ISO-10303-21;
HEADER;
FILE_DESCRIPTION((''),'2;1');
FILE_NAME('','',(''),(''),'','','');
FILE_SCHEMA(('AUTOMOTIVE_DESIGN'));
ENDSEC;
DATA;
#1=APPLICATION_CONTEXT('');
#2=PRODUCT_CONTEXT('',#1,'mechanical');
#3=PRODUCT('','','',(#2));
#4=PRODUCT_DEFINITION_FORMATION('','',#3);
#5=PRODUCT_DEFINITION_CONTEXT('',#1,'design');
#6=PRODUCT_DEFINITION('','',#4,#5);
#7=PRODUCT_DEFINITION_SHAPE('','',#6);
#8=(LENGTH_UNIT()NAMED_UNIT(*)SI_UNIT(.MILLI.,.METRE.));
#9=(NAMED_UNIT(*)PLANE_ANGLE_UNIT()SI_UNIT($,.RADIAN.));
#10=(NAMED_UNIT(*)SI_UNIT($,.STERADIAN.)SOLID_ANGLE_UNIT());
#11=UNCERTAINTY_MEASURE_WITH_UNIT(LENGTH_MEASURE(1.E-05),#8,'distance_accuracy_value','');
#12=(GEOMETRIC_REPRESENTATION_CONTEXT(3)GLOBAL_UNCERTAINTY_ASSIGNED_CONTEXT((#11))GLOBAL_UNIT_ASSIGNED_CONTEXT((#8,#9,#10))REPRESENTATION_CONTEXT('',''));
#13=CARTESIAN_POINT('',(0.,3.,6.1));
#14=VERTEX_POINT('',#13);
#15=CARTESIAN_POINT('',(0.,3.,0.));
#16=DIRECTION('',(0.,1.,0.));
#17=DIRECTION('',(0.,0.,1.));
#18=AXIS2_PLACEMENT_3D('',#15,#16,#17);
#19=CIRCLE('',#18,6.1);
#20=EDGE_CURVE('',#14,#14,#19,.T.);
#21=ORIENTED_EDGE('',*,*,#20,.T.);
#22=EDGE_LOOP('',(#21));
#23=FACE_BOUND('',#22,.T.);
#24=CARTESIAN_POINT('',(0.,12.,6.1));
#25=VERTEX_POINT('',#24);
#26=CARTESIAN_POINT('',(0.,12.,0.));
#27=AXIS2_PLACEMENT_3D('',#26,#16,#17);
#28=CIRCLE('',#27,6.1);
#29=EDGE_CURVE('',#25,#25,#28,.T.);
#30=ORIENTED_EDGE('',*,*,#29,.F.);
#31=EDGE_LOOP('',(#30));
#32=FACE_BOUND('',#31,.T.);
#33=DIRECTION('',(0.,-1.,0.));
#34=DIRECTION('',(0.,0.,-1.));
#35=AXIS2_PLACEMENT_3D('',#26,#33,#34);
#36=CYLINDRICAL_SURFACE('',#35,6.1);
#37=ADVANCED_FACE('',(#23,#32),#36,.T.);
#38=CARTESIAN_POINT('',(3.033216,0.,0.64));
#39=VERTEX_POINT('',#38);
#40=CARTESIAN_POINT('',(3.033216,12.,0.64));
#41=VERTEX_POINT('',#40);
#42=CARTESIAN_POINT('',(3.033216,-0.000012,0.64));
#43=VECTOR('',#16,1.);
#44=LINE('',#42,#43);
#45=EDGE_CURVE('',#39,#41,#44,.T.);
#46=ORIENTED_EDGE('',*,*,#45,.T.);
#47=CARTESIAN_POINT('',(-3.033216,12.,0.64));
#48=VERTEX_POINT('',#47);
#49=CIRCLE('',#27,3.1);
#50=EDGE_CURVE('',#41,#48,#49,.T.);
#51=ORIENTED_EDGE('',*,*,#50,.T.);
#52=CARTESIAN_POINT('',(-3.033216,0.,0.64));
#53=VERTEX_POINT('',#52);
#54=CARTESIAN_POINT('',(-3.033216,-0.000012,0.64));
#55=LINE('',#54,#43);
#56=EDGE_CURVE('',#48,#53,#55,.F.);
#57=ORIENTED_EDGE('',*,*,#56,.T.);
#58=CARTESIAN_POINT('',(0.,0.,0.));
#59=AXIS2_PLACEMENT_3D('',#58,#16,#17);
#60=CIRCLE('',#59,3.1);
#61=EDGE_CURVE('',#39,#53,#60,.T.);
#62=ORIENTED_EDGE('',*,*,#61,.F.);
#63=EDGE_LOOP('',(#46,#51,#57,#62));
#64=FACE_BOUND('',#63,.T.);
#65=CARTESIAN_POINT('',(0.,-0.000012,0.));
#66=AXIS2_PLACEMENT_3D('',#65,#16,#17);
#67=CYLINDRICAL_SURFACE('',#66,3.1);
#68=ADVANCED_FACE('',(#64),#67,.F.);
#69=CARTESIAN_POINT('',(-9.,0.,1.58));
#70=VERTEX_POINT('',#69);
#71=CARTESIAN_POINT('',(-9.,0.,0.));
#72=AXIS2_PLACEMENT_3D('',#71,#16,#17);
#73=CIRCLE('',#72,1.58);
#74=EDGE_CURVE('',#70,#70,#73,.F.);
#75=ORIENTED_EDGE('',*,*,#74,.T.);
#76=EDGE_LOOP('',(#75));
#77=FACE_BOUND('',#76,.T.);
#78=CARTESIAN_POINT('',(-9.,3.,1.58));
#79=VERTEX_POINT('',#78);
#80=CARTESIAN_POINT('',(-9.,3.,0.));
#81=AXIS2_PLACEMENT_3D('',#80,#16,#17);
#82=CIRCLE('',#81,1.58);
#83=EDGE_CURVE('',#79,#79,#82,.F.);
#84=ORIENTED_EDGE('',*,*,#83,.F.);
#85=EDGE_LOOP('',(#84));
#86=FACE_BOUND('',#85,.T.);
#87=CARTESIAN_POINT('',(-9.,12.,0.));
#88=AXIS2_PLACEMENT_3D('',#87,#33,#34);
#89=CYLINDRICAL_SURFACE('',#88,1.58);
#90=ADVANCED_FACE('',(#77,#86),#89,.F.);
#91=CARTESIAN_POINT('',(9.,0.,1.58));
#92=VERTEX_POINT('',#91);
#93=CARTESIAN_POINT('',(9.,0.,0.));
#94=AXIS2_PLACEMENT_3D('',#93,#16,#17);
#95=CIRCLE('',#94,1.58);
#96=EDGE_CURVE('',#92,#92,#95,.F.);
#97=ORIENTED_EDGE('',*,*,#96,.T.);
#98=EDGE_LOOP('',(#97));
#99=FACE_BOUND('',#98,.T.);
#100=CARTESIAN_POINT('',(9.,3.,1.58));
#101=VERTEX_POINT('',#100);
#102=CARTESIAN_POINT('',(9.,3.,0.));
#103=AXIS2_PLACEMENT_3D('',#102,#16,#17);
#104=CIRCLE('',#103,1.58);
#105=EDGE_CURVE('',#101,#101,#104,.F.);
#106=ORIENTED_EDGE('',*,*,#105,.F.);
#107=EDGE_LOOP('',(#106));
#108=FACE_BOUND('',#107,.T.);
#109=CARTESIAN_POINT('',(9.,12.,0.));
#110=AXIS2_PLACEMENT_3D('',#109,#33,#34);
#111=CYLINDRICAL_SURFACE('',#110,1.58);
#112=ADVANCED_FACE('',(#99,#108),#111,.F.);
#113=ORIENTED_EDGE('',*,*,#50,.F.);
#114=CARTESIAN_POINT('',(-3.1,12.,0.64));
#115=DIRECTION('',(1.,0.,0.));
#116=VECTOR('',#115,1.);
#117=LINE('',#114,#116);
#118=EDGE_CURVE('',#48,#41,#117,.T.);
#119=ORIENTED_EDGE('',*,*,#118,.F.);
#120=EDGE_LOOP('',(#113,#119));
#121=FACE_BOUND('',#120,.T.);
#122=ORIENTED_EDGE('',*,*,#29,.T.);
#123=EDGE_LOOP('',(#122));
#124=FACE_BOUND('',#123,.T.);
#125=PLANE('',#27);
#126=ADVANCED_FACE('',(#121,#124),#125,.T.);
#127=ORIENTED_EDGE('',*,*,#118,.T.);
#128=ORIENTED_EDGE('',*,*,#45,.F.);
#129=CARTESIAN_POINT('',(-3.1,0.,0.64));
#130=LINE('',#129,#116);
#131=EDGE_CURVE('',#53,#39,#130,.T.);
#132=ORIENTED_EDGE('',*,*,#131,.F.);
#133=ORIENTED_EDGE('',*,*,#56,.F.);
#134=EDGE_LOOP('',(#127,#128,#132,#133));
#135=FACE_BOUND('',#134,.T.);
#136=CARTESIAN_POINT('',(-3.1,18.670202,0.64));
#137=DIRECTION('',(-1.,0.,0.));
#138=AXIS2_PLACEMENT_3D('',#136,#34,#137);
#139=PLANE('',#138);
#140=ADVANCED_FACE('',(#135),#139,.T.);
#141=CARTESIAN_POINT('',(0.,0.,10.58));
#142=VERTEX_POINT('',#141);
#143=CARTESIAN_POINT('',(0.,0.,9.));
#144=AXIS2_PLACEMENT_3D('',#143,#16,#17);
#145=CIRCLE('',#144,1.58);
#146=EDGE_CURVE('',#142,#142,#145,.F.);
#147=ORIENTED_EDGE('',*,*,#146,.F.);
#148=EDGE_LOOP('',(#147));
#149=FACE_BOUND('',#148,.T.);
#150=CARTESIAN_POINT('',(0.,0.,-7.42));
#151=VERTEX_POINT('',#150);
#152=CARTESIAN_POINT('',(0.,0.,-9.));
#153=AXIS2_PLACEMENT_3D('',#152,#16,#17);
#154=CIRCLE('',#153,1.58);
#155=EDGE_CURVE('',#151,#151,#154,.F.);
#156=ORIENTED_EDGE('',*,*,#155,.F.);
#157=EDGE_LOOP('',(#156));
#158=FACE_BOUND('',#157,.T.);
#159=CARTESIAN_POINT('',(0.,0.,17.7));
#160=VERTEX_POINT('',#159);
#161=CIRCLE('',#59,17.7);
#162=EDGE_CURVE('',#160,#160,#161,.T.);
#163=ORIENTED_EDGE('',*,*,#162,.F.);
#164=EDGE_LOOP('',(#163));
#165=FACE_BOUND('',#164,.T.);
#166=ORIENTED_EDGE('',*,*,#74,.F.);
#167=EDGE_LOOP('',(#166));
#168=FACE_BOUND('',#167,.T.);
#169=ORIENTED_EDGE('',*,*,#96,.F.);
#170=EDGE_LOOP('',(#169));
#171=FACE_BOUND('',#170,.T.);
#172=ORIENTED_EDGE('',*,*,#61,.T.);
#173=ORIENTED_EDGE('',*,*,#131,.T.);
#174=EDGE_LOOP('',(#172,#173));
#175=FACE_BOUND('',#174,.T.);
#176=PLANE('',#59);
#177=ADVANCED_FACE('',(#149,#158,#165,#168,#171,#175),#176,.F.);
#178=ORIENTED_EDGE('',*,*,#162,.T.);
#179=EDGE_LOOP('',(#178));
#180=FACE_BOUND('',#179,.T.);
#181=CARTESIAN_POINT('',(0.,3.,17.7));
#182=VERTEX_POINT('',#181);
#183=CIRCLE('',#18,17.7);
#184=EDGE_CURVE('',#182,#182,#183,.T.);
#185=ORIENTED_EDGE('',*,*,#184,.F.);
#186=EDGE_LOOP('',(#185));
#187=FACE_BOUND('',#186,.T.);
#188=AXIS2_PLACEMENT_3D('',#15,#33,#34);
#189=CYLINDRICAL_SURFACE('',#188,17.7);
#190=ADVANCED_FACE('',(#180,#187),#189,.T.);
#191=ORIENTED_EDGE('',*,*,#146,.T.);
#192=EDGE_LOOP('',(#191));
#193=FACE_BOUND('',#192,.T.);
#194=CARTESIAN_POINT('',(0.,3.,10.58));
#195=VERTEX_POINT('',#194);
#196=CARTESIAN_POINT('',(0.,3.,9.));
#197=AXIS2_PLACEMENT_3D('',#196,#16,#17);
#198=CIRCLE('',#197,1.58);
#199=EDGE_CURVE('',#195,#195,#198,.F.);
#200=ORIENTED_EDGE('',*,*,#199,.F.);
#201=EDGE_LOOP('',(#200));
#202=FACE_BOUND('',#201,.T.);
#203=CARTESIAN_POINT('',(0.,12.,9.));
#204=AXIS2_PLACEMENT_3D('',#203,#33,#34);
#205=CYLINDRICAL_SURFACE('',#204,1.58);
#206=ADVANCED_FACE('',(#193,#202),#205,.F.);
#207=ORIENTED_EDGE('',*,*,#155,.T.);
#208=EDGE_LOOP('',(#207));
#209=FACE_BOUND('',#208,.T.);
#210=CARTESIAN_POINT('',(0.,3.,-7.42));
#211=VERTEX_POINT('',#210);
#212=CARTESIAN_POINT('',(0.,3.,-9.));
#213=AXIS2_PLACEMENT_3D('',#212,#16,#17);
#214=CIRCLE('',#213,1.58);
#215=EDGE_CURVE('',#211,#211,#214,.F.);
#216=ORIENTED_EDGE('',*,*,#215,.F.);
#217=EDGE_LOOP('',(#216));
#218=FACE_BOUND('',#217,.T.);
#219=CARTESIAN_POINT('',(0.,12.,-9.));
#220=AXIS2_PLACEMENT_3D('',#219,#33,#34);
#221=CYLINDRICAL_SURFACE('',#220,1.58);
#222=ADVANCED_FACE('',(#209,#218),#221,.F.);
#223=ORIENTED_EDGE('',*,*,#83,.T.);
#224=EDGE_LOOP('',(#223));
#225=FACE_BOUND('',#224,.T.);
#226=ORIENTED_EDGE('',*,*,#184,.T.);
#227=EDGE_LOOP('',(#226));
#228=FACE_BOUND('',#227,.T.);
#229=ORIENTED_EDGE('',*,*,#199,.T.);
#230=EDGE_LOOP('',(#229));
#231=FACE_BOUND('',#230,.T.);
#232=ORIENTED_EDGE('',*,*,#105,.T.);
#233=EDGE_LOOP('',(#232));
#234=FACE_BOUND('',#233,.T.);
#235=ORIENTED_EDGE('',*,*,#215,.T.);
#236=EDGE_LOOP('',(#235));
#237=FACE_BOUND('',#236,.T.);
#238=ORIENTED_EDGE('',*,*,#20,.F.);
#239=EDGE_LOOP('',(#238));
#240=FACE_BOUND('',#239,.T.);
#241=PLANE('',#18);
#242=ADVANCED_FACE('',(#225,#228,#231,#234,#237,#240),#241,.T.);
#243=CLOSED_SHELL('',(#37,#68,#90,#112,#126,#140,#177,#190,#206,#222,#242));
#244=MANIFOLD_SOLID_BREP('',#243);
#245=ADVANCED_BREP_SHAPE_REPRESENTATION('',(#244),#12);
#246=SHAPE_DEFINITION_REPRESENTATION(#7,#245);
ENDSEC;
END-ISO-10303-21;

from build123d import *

# Parameters (mm, degrees)
SKETCH2_R               = 17.7
BOSS_EXTRUDE3_DEPTH     = 3
SKETCH3_R               = 3.1
CUT_EXTRUDE3_DEPTH      = 4
CUT_EXTRUDE3_DEPTH_BACK = 1
SKETCH5_R               = 6.1
BOSS_EXTRUDE4_DEPTH     = 9
SKETCH4_R               = 1.58
CUT_EXTRUDE4_DEPTH      = 13
CUT_EXTRUDE4_DEPTH_BACK = 1
SKETCH6_R               = 3.1
CUT_EXTRUDE5_DEPTH      = 10
SKETCH7_W               = 6.2
SKETCH7_H               = 2.46
BOSS_EXTRUDE5_DEPTH     = 12


with BuildPart() as part:
    # Sketch2 → Boss-Extrude3 (new body)
    with BuildSketch(Plane(origin=(0, 0, 0), x_dir=(-1, 0, 0), z_dir=(0, 1, 0))):
        Circle(SKETCH2_R)
    extrude(amount=BOSS_EXTRUDE3_DEPTH)

    # Sketch3 → Cut-Extrude3 (cut, two sides)
    with BuildSketch(Plane(origin=(0, 0, 0), x_dir=(1, 0, 0), z_dir=(0, 1, 0))) as cut_extrude3_sk:
        Circle(SKETCH3_R)
    extrude(amount=CUT_EXTRUDE3_DEPTH, mode=Mode.SUBTRACT)
    extrude(cut_extrude3_sk.sketch, amount=-CUT_EXTRUDE3_DEPTH_BACK, mode=Mode.SUBTRACT)

    # Sketch5 → Boss-Extrude4 (add)
    with BuildSketch(Plane(origin=(0, 3, 0), x_dir=(1, 0, 0), z_dir=(0, 1, 0))):
        Circle(SKETCH5_R)
    extrude(amount=BOSS_EXTRUDE4_DEPTH)

    # Sketch4 → Cut-Extrude4 (cut, two sides)
    with BuildSketch(Plane(origin=(0, 0, 0), x_dir=(1, 0, 0), z_dir=(0, 1, 0))) as cut_extrude4_sk:
        with Locations((-9, 0)):
            Circle(SKETCH4_R)
        with Locations((9, 0)):
            Circle(SKETCH4_R)
        with Locations((0, 9)):
            Circle(SKETCH4_R)
        with Locations((0, -9)):
            Circle(SKETCH4_R)
    extrude(amount=CUT_EXTRUDE4_DEPTH, mode=Mode.SUBTRACT)
    extrude(cut_extrude4_sk.sketch, amount=-CUT_EXTRUDE4_DEPTH_BACK, mode=Mode.SUBTRACT)

    # Sketch6 → Cut-Extrude5 (cut)
    with BuildSketch(Plane.XZ.offset(-3)):
        Circle(SKETCH6_R)
    extrude(amount=-CUT_EXTRUDE5_DEPTH, mode=Mode.SUBTRACT)

    # Sketch7 → Boss-Extrude5 (add)
    with BuildSketch(Plane.XZ):
        with Locations((0, 1.87)):
            Rectangle(SKETCH7_W, SKETCH7_H)
    extrude(amount=-BOSS_EXTRUDE5_DEPTH)


solid = part.part
